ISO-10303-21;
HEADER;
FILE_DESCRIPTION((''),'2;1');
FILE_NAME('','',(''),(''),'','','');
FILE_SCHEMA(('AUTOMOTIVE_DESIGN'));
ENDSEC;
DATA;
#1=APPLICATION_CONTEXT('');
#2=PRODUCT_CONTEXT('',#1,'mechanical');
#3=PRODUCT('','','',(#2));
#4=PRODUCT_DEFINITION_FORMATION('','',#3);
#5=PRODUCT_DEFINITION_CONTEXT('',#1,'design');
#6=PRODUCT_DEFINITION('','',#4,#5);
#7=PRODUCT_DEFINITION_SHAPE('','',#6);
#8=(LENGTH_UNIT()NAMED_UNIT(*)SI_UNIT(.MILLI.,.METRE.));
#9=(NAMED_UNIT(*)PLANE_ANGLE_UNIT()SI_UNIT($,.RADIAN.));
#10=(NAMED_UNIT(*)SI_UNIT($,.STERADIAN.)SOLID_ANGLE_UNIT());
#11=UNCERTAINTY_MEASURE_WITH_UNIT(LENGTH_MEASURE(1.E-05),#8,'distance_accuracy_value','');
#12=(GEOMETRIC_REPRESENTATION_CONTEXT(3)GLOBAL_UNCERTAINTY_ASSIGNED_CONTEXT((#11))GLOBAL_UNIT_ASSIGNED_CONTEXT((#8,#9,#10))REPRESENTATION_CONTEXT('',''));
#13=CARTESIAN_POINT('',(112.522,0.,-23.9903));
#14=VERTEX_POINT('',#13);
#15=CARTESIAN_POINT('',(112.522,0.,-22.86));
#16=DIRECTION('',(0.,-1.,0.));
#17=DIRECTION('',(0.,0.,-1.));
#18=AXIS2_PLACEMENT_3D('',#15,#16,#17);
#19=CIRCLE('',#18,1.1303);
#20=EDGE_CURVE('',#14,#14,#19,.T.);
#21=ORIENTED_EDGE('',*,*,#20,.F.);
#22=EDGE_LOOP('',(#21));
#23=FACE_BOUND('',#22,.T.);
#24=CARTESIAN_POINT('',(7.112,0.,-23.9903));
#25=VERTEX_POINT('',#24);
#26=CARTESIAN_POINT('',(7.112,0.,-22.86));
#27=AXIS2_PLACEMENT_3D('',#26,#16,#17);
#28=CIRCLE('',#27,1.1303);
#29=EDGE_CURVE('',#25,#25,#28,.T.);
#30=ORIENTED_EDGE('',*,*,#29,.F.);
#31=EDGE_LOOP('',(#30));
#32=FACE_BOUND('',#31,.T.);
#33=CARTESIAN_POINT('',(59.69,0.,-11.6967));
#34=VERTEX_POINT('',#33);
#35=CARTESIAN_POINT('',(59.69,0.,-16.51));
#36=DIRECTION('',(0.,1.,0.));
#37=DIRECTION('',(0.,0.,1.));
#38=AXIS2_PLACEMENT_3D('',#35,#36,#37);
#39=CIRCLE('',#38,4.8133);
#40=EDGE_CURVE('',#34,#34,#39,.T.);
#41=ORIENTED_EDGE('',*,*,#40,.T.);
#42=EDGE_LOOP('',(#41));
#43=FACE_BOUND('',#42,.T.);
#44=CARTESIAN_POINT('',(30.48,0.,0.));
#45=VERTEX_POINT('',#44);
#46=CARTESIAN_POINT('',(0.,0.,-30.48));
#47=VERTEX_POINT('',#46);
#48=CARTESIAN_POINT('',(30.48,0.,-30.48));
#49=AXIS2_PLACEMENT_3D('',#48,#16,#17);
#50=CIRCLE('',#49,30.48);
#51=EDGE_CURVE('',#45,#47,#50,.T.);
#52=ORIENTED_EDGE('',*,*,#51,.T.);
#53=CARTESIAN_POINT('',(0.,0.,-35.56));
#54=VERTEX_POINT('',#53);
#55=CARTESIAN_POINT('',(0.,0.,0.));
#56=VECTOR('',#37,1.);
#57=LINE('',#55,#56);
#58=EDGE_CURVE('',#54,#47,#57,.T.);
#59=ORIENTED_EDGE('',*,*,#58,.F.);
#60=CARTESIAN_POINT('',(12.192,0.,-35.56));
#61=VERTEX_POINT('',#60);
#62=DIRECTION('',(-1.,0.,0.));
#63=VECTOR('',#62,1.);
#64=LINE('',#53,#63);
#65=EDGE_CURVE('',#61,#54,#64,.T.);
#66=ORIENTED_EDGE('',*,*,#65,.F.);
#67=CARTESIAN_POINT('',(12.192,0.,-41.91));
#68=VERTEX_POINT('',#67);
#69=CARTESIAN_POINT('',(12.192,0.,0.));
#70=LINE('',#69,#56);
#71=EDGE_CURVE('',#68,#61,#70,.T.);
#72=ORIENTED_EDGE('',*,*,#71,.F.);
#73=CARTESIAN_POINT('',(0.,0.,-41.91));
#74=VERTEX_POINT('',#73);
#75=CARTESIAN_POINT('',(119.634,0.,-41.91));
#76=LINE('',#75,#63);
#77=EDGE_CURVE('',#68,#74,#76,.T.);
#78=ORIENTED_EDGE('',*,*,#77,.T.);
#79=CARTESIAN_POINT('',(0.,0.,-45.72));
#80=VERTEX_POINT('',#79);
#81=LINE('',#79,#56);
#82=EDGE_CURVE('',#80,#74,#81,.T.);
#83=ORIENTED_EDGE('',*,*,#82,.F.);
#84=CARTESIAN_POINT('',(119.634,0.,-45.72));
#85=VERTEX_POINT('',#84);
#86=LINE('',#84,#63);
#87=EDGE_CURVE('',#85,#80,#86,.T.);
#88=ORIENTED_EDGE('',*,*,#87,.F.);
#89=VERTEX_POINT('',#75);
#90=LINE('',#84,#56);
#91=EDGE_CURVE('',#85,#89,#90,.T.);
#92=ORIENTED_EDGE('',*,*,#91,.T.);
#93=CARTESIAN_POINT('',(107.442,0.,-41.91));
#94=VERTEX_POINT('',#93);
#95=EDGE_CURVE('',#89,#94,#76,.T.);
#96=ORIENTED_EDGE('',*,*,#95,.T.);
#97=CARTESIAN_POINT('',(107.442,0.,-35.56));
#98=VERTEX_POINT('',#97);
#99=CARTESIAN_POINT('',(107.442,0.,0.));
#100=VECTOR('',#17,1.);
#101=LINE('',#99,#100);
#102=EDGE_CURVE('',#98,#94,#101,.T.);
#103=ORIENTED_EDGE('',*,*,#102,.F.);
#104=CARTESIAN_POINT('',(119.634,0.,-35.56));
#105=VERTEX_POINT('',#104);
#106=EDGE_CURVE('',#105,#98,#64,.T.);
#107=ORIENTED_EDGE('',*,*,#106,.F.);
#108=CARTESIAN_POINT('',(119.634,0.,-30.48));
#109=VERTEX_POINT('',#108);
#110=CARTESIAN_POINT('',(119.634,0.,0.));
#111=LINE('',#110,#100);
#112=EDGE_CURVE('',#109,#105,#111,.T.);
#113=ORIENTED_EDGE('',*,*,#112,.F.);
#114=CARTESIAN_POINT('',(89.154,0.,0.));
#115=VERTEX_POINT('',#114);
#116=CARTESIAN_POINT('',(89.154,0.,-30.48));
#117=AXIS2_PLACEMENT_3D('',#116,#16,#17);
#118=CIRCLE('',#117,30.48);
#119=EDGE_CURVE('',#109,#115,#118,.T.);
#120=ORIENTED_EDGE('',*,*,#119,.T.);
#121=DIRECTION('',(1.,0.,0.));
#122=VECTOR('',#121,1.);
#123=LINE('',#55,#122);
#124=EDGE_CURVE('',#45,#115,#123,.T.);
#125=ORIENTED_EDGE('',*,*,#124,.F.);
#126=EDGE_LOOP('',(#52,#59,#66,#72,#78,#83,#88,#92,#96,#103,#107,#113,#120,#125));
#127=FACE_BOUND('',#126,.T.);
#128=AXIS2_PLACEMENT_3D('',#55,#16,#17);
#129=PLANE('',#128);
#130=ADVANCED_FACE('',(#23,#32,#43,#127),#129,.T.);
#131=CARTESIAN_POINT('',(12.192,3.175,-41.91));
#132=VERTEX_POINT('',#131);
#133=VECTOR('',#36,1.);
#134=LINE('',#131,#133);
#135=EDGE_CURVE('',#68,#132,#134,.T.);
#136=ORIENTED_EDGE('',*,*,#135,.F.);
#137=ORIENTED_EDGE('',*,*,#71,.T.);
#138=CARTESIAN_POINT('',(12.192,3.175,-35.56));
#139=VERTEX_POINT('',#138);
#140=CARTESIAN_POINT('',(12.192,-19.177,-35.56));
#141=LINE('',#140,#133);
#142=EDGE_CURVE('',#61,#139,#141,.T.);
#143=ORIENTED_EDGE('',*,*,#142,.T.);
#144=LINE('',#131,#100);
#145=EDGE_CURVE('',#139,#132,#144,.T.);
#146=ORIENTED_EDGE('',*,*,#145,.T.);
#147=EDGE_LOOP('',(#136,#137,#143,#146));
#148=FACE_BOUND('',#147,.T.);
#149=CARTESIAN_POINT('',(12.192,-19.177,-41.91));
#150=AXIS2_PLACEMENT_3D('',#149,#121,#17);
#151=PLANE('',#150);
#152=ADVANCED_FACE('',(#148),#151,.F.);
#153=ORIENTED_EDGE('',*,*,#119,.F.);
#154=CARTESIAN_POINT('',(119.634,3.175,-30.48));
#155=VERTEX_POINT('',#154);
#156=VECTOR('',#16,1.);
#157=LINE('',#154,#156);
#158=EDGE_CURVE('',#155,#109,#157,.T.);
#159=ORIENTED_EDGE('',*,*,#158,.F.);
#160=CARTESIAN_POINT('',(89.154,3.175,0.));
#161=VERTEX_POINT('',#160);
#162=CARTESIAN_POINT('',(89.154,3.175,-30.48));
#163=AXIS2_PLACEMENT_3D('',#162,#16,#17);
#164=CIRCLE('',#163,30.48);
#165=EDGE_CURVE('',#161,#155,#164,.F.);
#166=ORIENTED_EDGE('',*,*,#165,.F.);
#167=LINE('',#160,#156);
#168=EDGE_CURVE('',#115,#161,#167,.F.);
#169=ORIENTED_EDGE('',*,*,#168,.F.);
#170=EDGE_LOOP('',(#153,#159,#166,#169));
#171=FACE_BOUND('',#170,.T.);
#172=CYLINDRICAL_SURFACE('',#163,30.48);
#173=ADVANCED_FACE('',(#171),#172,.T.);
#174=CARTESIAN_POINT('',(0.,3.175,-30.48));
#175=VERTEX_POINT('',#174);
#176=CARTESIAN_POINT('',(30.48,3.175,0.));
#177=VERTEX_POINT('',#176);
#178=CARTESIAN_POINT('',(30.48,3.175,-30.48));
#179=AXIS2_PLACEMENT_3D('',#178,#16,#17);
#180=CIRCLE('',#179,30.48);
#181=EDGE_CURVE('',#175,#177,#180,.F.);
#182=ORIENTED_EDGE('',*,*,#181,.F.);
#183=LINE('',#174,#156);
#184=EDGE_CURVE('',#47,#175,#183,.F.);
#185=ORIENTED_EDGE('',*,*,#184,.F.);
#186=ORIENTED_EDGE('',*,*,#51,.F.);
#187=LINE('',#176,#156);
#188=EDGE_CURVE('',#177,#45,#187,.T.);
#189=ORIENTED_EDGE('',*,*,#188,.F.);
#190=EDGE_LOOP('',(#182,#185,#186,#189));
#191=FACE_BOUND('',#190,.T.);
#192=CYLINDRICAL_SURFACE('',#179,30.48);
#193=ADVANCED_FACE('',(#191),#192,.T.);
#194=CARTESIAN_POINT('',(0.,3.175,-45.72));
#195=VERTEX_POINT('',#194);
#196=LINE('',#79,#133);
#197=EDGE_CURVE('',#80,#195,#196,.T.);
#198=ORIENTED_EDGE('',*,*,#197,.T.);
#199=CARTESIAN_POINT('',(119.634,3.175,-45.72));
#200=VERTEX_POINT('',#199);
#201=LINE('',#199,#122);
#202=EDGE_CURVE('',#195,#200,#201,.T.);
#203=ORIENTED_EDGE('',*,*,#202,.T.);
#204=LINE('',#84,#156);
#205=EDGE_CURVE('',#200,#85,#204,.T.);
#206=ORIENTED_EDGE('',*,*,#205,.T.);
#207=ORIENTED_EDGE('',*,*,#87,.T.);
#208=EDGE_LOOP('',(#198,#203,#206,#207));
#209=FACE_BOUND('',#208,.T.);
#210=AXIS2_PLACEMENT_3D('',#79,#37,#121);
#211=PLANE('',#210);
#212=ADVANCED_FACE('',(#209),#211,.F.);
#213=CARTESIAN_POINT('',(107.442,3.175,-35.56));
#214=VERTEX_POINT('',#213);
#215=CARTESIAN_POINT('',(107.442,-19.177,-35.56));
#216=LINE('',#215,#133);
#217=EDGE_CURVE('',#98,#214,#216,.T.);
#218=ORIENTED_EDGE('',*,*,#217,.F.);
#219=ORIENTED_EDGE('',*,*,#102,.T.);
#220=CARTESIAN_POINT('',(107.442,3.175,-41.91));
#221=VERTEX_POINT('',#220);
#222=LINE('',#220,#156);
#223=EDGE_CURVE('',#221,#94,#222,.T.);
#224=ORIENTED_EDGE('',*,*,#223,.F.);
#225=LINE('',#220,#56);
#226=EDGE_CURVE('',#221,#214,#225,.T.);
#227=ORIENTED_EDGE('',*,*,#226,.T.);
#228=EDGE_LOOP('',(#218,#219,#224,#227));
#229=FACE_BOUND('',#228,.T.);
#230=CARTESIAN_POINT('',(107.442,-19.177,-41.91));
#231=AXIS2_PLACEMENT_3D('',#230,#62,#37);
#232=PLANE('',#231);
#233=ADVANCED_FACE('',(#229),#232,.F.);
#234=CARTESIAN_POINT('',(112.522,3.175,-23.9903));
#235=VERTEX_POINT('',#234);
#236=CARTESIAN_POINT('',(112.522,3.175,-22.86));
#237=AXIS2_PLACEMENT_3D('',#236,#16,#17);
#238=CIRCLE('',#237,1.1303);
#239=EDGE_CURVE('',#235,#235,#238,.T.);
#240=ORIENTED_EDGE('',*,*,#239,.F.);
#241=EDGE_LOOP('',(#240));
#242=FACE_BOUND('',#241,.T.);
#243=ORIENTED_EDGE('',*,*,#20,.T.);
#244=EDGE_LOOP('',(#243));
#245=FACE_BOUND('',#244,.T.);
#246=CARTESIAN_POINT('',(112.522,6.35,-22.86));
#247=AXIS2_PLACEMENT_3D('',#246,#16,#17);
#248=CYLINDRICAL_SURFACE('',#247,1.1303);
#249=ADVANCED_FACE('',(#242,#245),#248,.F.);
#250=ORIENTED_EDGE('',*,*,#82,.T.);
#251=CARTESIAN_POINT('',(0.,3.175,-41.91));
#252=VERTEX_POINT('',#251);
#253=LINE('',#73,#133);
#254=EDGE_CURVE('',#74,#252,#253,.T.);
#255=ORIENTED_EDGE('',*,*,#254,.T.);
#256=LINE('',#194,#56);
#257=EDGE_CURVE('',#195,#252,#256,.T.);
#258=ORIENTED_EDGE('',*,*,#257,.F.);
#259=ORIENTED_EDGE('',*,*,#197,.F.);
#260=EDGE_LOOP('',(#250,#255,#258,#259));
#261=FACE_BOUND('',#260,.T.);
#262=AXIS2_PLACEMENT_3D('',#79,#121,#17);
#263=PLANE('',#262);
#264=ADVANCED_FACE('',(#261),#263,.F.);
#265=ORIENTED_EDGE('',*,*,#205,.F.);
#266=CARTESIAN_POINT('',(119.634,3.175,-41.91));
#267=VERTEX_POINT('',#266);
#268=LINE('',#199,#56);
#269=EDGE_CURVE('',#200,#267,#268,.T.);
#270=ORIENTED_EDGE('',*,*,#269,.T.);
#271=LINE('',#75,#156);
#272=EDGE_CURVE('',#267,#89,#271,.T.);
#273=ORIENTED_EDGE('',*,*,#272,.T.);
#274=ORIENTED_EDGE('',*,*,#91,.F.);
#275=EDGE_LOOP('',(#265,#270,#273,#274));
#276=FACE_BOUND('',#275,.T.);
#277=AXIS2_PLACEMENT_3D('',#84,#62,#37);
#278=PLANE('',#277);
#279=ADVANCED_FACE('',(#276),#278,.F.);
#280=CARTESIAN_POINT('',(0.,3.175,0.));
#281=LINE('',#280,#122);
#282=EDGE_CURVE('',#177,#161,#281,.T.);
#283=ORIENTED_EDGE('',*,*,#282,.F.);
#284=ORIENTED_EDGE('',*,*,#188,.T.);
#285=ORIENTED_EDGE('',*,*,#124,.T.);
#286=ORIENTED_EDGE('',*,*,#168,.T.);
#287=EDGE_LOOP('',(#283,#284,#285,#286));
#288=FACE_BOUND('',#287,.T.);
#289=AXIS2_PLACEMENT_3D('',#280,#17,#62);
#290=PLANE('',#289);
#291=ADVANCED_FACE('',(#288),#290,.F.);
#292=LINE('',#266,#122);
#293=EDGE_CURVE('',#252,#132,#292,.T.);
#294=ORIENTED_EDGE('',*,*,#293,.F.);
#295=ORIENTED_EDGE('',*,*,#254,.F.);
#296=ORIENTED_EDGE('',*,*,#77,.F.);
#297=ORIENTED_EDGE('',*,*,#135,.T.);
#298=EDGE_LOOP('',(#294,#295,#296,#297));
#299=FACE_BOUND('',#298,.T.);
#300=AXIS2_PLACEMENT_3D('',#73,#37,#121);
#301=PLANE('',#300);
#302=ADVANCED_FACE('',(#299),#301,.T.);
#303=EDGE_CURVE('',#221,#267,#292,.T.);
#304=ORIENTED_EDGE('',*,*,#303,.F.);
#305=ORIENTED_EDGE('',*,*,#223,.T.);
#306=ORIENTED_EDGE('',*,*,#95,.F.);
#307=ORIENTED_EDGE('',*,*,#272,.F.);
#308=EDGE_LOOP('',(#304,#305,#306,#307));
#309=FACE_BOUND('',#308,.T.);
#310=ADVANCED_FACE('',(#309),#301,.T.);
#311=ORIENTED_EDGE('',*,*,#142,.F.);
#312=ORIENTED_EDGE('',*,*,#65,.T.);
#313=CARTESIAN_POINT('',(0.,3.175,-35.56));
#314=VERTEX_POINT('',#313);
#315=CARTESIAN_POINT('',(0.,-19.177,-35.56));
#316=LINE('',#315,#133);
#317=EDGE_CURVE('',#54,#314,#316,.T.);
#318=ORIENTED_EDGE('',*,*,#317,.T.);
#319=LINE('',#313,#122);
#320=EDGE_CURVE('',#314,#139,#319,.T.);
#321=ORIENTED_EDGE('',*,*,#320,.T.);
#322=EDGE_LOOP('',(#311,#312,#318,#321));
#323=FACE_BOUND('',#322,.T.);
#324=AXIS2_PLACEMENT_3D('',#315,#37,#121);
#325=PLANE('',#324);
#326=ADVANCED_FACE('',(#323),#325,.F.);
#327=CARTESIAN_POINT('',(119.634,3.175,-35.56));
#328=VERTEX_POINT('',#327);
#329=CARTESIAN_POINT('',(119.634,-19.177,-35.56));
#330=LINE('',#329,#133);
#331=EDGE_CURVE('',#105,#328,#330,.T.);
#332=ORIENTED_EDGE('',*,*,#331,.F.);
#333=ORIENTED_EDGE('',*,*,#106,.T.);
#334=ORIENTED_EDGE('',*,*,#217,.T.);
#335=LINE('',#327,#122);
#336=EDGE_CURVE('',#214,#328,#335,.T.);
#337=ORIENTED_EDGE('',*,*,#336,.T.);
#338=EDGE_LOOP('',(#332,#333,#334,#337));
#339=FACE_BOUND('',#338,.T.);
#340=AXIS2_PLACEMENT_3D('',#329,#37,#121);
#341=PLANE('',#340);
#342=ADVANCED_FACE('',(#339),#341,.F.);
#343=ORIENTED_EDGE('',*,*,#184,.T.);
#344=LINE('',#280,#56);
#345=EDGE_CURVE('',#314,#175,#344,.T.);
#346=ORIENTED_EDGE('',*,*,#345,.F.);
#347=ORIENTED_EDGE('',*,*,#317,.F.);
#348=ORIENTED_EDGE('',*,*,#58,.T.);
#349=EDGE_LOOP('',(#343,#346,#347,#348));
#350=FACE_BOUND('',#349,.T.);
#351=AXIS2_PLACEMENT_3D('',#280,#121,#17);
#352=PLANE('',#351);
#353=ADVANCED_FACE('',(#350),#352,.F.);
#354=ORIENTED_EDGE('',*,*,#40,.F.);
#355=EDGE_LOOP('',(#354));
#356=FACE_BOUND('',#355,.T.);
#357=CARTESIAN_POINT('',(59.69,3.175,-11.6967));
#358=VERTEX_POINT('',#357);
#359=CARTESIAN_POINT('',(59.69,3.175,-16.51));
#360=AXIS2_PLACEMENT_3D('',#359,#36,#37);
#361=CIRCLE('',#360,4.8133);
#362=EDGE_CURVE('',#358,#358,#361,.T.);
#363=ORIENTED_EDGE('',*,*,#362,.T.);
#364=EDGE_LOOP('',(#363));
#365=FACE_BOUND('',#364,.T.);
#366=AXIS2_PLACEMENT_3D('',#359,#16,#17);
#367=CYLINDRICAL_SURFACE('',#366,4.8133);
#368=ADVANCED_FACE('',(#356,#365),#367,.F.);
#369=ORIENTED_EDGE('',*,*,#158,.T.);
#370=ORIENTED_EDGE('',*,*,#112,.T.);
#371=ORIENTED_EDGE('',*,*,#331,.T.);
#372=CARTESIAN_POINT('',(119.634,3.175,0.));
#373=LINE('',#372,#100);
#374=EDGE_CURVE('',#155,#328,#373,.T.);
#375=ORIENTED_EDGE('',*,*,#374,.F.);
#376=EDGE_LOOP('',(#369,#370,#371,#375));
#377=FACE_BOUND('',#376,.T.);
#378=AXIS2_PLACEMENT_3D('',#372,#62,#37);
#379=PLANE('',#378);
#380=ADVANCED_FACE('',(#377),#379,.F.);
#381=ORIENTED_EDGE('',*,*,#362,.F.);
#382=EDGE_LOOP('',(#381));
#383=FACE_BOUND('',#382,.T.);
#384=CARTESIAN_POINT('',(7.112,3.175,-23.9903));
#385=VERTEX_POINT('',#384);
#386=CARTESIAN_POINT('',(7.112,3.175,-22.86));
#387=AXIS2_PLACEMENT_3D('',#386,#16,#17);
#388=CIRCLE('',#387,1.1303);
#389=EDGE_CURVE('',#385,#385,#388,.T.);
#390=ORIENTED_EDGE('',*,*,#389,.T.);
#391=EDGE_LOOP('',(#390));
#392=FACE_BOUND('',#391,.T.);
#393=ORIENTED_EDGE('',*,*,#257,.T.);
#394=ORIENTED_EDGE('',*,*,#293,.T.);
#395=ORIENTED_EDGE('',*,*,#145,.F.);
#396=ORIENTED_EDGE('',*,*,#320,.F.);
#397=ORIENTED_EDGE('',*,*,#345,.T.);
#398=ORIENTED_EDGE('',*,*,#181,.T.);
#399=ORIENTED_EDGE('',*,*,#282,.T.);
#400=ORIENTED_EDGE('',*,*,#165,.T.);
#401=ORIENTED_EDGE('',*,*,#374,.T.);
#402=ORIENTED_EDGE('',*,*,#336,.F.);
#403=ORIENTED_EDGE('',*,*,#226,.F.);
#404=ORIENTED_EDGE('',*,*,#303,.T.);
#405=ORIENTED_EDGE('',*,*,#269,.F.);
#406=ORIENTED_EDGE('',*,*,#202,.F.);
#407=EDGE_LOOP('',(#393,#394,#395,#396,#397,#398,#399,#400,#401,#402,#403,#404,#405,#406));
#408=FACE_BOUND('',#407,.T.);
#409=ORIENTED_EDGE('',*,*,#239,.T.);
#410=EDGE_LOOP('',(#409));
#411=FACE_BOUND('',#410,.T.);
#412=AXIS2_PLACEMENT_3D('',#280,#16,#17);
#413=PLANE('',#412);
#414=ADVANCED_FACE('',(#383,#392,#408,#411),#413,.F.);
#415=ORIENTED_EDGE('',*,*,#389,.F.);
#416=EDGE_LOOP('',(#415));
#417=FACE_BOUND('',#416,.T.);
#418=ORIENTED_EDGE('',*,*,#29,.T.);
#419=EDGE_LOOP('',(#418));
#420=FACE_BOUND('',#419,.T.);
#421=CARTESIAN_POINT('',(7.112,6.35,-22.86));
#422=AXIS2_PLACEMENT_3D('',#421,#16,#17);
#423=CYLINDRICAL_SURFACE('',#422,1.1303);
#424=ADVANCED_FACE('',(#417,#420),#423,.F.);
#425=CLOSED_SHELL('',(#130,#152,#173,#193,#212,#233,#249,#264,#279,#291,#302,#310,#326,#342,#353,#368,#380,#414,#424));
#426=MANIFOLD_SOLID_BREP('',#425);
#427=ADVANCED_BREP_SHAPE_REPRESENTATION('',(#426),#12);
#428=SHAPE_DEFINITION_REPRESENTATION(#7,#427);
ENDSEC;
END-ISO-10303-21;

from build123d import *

# Parameters (mm, degrees)
SKETCH1_W           = 119.634
SKETCH1_H           = 41.91
SKETCH1_R           = 4.8133
BOSS_EXTRUDE1_DEPTH = 3.175
SKETCH3_W           = 12.192
SKETCH3_H           = 6.35
CUT_EXTRUDE2_DEPTH  = 22.352
FILLET1_R           = 30.48
SKETCH4_W           = 119.634
SKETCH4_H           = 3.175
BOSS_EXTRUDE2_DEPTH = 3.81
SKETCH5_R           = 1.1303
CUT_EXTRUDE3_DEPTH  = 6.35
SKETCH6_R           = 1.1303
CUT_EXTRUDE4_DEPTH  = 6.35


with BuildPart() as part:
    # Sketch1 → Boss-Extrude1 (new body)
    with BuildSketch(Plane(origin=(0, 0, 0), x_dir=(1, 0, 0), z_dir=(0, 1, 0))):
        with Locations((59.817, 20.955)):
            Rectangle(SKETCH1_W, SKETCH1_H)
        with Locations(Location((59.69, 16.51, 0), (0, 0, 270))):
            Circle(SKETCH1_R, mode=Mode.SUBTRACT)
    extrude(amount=BOSS_EXTRUDE1_DEPTH)

    # Sketch3 → Cut-Extrude2 (cut)
    with BuildSketch(Plane(origin=(0, 3.175, 0), x_dir=(1, 0, 0), z_dir=(0, 1, 0))):
        with Locations((6.096, 38.735)):
            Rectangle(SKETCH3_W, SKETCH3_H)
        with Locations((113.538, 38.735)):
            Rectangle(SKETCH3_W, SKETCH3_H)
    extrude(amount=-CUT_EXTRUDE2_DEPTH, mode=Mode.SUBTRACT)

    # Fillet1
    fillet1_edges = [part.edges().sort_by_distance(p)[0] for p in [
        (119.634, 1.5875, 0),
        (0, 1.5875, 0),
    ]]
    fillet(fillet1_edges, radius=FILLET1_R)

    # Sketch4 → Boss-Extrude2 (add)
    with BuildSketch(Plane(origin=(0, 0, -41.91), x_dir=(-1, 0, 0), z_dir=(0, 0, -1))):
        with Locations((-59.817, 1.5875)):
            Rectangle(SKETCH4_W, SKETCH4_H)
    extrude(amount=BOSS_EXTRUDE2_DEPTH)

    # Sketch5 → Cut-Extrude3 (cut)
    with BuildSketch(Plane.XZ):
        with Locations(Location((7.112, -22.86, 0), (0, 0, 270))):
            Circle(SKETCH5_R)
    extrude(amount=-CUT_EXTRUDE3_DEPTH, mode=Mode.SUBTRACT)

    # Sketch6 → Cut-Extrude4 (cut)
    with BuildSketch(Plane.XZ):
        with Locations(Location((112.522, -22.86, 0), (0, 0, 270))):
            Circle(SKETCH6_R)
    extrude(amount=-CUT_EXTRUDE4_DEPTH, mode=Mode.SUBTRACT)


solid = part.part
